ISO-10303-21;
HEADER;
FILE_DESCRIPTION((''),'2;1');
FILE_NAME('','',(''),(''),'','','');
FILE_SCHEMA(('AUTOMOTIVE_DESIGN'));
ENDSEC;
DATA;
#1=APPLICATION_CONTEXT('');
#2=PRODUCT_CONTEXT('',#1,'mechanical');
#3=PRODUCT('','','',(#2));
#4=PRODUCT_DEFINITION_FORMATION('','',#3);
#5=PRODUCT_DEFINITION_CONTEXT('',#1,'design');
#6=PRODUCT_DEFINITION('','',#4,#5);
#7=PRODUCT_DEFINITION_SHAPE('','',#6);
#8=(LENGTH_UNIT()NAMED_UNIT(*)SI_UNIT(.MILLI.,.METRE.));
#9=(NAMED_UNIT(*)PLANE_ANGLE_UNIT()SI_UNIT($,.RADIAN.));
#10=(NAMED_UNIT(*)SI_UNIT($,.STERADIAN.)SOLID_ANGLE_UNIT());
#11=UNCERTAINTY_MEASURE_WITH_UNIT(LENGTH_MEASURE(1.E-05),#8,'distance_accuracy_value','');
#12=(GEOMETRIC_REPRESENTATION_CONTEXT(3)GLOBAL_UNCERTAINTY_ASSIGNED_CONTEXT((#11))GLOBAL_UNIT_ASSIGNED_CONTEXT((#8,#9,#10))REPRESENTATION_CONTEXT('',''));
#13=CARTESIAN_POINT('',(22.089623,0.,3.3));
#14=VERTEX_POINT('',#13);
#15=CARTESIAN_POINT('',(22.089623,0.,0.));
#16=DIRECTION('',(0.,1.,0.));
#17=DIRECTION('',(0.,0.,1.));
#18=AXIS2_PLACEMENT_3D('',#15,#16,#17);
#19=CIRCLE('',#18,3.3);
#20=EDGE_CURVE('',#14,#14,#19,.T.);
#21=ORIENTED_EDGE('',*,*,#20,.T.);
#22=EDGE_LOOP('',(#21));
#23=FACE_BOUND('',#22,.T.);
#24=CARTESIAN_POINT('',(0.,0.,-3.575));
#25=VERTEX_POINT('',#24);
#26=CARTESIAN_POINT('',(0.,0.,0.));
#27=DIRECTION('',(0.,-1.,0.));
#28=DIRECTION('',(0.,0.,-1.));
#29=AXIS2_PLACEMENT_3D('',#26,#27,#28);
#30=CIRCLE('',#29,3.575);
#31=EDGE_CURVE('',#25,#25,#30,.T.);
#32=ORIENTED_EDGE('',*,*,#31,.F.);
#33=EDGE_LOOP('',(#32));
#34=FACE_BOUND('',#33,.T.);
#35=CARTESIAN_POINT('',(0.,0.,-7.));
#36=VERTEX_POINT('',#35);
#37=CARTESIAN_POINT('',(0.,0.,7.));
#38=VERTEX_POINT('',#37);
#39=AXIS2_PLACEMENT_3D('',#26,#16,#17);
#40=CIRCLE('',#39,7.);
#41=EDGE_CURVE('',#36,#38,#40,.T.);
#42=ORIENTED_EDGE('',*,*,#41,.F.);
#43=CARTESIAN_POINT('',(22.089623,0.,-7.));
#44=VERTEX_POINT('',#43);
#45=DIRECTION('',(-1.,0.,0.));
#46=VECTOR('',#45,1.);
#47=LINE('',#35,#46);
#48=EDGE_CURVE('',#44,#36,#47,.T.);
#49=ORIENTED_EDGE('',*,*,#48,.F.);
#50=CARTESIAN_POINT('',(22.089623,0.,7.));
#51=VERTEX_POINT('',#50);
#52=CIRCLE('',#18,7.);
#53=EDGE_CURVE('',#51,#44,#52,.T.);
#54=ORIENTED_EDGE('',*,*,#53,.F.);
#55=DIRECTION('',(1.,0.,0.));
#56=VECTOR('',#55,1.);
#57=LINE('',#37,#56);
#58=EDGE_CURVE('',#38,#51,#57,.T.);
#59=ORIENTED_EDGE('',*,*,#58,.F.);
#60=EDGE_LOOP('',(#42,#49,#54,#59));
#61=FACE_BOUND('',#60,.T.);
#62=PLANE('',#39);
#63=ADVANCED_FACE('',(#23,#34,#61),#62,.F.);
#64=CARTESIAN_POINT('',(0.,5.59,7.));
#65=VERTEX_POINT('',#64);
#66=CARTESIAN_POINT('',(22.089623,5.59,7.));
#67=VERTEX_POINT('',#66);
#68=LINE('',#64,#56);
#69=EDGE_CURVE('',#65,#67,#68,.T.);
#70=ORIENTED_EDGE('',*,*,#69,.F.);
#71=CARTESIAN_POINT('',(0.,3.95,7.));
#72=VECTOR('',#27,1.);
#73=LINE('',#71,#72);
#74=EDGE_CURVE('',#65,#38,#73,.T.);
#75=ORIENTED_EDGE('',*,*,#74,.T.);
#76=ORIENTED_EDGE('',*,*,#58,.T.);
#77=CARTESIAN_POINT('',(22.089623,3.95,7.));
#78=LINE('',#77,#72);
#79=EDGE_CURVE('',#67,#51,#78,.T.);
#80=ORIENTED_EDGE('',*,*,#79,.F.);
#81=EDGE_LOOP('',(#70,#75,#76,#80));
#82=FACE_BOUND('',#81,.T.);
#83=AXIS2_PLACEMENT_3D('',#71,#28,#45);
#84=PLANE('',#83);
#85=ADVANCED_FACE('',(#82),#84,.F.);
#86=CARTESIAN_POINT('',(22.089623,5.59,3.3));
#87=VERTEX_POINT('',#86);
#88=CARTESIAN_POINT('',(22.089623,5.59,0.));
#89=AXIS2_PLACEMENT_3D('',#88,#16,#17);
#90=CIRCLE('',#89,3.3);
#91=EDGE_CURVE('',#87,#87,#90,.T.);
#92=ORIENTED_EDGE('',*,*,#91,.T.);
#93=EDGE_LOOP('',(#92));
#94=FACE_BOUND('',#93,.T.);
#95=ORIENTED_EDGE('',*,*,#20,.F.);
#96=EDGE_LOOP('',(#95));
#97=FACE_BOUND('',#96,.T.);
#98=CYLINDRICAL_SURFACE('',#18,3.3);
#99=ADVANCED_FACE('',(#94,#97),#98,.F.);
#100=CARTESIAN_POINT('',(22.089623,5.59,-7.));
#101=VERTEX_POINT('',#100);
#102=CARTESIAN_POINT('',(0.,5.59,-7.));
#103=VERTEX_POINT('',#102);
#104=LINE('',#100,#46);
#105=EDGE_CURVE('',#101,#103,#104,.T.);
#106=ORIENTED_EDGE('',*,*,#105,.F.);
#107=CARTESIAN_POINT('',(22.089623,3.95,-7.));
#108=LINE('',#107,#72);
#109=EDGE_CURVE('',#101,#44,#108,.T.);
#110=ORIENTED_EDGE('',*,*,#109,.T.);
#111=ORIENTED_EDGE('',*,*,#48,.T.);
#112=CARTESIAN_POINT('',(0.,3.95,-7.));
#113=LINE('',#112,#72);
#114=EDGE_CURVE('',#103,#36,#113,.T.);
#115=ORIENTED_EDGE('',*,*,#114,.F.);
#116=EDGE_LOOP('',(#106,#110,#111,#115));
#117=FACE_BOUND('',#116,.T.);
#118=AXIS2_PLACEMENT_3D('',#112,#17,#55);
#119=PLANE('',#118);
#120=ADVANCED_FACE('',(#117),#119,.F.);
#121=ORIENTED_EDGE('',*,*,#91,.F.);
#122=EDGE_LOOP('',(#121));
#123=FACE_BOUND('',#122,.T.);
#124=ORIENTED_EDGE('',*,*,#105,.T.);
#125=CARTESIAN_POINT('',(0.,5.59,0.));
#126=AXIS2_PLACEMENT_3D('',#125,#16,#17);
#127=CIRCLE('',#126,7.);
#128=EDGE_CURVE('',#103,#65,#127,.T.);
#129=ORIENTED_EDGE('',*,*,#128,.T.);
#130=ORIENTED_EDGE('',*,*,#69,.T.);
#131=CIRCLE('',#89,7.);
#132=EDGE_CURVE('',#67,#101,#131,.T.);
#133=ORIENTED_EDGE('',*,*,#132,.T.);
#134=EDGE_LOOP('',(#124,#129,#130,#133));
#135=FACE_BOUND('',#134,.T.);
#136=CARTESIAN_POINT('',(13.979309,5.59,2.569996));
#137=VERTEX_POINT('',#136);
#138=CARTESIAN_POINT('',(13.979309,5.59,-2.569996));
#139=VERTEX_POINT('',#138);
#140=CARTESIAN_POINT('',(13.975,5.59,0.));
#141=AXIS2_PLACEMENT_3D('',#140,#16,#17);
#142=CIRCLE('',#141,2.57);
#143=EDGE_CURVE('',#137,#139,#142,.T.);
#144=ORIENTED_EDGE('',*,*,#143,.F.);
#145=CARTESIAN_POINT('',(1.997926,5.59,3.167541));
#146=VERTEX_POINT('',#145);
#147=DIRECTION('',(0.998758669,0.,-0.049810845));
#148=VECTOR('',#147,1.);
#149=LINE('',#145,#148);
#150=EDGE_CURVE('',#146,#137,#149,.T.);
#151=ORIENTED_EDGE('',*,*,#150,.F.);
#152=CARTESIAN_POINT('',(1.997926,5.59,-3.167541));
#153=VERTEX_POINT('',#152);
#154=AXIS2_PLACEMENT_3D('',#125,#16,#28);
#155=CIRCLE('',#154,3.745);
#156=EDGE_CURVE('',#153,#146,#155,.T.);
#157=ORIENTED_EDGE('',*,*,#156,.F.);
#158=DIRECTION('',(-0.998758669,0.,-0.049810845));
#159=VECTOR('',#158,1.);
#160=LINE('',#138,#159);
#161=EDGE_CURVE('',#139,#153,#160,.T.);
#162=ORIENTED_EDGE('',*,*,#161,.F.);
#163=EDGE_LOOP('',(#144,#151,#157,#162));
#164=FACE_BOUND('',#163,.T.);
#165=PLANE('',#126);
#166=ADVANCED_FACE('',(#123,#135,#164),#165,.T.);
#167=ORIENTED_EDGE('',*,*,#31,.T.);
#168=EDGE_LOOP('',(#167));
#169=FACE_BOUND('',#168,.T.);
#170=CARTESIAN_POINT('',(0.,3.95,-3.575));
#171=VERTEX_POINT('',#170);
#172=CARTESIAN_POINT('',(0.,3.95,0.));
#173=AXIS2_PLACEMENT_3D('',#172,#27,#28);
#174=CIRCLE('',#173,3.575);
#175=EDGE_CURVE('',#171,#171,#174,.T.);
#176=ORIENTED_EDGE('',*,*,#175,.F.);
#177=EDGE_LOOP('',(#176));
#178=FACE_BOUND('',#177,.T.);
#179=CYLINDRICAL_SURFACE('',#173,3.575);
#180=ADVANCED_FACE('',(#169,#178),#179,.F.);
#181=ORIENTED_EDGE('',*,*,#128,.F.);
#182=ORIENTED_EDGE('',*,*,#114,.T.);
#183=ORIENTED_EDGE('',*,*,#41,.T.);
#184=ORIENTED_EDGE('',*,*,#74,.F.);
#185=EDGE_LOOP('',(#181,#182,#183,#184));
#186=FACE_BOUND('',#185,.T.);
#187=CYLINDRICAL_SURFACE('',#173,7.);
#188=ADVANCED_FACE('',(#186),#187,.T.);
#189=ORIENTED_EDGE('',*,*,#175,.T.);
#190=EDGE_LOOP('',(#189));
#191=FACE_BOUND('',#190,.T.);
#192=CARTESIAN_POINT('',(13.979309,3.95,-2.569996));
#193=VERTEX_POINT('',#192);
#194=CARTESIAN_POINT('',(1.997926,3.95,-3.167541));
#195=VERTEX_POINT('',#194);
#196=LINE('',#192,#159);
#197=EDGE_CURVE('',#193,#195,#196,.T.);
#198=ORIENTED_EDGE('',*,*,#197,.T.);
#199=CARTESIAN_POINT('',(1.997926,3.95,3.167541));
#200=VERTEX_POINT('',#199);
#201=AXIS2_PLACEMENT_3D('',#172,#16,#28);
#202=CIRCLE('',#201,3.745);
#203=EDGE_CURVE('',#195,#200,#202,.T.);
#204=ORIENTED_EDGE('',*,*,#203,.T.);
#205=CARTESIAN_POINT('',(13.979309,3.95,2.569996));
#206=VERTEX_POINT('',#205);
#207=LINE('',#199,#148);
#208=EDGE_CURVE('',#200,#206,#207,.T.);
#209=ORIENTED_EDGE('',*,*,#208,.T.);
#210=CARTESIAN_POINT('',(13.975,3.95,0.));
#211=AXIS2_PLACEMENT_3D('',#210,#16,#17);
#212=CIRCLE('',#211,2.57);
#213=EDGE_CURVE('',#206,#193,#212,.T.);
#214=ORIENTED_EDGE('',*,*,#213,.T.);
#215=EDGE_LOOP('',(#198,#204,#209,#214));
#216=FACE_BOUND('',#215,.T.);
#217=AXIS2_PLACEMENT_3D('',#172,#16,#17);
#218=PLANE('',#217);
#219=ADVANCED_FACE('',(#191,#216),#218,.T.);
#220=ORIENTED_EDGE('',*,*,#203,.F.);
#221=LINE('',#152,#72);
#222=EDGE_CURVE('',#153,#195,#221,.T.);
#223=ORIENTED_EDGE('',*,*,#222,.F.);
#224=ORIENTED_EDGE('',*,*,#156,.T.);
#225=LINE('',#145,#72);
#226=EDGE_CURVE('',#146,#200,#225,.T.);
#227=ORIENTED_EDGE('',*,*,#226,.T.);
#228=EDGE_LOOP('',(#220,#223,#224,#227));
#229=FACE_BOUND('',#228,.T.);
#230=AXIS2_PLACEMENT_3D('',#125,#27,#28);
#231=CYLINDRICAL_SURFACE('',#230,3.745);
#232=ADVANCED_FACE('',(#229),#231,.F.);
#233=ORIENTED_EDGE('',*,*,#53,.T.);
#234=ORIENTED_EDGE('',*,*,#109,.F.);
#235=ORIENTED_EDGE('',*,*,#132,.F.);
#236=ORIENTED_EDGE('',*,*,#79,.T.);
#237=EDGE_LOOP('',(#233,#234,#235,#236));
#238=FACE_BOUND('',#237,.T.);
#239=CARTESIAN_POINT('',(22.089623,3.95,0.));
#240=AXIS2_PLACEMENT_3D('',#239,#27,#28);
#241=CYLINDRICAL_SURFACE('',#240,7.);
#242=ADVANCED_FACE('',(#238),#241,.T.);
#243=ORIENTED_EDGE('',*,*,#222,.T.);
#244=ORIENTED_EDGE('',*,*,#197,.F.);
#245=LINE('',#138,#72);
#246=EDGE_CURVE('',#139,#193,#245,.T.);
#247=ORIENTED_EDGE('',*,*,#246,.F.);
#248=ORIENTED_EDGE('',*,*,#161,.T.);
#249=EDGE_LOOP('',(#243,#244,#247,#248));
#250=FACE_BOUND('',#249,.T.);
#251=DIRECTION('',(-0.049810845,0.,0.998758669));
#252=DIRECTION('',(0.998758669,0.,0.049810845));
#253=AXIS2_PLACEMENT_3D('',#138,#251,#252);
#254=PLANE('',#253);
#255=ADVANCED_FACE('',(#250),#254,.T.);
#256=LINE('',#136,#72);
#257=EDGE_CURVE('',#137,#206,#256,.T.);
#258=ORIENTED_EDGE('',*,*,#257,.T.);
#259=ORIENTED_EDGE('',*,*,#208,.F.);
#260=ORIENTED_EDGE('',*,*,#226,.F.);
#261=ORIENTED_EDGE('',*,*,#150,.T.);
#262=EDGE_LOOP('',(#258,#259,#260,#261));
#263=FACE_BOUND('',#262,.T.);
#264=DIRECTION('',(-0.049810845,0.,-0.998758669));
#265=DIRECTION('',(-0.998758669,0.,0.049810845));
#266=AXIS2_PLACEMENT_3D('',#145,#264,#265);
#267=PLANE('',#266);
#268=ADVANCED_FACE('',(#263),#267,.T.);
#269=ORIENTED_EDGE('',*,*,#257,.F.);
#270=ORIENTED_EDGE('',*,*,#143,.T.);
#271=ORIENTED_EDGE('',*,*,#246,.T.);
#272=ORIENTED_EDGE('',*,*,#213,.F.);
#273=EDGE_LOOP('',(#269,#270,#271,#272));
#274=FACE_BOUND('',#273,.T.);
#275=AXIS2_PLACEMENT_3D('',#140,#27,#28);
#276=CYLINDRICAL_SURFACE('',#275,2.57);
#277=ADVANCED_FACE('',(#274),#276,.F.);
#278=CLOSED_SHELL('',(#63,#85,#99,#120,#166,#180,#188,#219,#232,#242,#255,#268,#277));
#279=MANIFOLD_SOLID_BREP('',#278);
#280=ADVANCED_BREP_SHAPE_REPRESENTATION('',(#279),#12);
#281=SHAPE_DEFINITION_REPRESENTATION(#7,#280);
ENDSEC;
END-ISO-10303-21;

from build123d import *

# Parameters (mm, degrees)
BOSS_EXTRUDE1_DEPTH = 3.95
SKETCH2_R           = 3.575
CUT_EXTRUDE1_DEPTH  = 3.95
BOSS_EXTRUDE2_DEPTH = 1.64
SKETCH4_R           = 3.3
CUT_EXTRUDE2_DEPTH  = 31.43771091


with BuildPart() as part:
    # Sketch1 → Boss-Extrude1 (new body)
    with BuildSketch(Plane(origin=(0, 0, 0), x_dir=(1, 0, 0), z_dir=(0, 1, 0))):
        with BuildLine():
            Line((0, 7), (22.089622642, 7))
            ThreePointArc((22.089622642, 7), (29.089622642, 0), (22.089622642, -7))
            Line((22.089622642, -7), (0, -7))
            ThreePointArc((0, -7), (-7, 0), (0, 7))
        make_face()
    extrude(amount=BOSS_EXTRUDE1_DEPTH)

    # Sketch2 → Cut-Extrude1 (cut)
    with BuildSketch(Plane.XZ):
        with Locations(Location((0, 0, 0), (0, 0, 270))):
            Circle(SKETCH2_R)
    extrude(amount=-CUT_EXTRUDE1_DEPTH, mode=Mode.SUBTRACT)

    # Sketch3 → Boss-Extrude2 (add)
    with BuildSketch(Plane(origin=(0, 3.95, 0), x_dir=(1, 0, 0), z_dir=(0, 1, 0))):
        with BuildLine():
            Line((0, -7), (22.089622642, -7))
            ThreePointArc((22.089622642, -7), (29.089622642, 0), (22.089622642, 7))
            Line((22.089622642, 7), (0, 7))
            ThreePointArc((0, 7), (-7, 0), (0, -7))
        make_face()
        with BuildLine():
            Line((13.979308982, 2.569996388), (1.997926282, 3.167540934))
            ThreePointArc((1.997926282, 3.167540934), (-3.745, 0), (1.997926282, -3.167540934))
            Line((1.997926282, -3.167540934), (13.979308982, -2.569996388))
            ThreePointArc((13.979308982, -2.569996388), (16.545, 0), (13.979308982, 2.569996388))
        make_face(mode=Mode.SUBTRACT)
    extrude(amount=BOSS_EXTRUDE2_DEPTH)

    # Sketch4 → Cut-Extrude2 (cut, through all)
    with BuildSketch(Plane(origin=(0, 5.59, 0), x_dir=(1, 0, 0), z_dir=(0, 1, 0))):
        with Locations(Location((22.089622642, 0, 0), (0, 0, 270))):
            Circle(SKETCH4_R)
    extrude(amount=-CUT_EXTRUDE2_DEPTH, mode=Mode.SUBTRACT)


solid = part.part
